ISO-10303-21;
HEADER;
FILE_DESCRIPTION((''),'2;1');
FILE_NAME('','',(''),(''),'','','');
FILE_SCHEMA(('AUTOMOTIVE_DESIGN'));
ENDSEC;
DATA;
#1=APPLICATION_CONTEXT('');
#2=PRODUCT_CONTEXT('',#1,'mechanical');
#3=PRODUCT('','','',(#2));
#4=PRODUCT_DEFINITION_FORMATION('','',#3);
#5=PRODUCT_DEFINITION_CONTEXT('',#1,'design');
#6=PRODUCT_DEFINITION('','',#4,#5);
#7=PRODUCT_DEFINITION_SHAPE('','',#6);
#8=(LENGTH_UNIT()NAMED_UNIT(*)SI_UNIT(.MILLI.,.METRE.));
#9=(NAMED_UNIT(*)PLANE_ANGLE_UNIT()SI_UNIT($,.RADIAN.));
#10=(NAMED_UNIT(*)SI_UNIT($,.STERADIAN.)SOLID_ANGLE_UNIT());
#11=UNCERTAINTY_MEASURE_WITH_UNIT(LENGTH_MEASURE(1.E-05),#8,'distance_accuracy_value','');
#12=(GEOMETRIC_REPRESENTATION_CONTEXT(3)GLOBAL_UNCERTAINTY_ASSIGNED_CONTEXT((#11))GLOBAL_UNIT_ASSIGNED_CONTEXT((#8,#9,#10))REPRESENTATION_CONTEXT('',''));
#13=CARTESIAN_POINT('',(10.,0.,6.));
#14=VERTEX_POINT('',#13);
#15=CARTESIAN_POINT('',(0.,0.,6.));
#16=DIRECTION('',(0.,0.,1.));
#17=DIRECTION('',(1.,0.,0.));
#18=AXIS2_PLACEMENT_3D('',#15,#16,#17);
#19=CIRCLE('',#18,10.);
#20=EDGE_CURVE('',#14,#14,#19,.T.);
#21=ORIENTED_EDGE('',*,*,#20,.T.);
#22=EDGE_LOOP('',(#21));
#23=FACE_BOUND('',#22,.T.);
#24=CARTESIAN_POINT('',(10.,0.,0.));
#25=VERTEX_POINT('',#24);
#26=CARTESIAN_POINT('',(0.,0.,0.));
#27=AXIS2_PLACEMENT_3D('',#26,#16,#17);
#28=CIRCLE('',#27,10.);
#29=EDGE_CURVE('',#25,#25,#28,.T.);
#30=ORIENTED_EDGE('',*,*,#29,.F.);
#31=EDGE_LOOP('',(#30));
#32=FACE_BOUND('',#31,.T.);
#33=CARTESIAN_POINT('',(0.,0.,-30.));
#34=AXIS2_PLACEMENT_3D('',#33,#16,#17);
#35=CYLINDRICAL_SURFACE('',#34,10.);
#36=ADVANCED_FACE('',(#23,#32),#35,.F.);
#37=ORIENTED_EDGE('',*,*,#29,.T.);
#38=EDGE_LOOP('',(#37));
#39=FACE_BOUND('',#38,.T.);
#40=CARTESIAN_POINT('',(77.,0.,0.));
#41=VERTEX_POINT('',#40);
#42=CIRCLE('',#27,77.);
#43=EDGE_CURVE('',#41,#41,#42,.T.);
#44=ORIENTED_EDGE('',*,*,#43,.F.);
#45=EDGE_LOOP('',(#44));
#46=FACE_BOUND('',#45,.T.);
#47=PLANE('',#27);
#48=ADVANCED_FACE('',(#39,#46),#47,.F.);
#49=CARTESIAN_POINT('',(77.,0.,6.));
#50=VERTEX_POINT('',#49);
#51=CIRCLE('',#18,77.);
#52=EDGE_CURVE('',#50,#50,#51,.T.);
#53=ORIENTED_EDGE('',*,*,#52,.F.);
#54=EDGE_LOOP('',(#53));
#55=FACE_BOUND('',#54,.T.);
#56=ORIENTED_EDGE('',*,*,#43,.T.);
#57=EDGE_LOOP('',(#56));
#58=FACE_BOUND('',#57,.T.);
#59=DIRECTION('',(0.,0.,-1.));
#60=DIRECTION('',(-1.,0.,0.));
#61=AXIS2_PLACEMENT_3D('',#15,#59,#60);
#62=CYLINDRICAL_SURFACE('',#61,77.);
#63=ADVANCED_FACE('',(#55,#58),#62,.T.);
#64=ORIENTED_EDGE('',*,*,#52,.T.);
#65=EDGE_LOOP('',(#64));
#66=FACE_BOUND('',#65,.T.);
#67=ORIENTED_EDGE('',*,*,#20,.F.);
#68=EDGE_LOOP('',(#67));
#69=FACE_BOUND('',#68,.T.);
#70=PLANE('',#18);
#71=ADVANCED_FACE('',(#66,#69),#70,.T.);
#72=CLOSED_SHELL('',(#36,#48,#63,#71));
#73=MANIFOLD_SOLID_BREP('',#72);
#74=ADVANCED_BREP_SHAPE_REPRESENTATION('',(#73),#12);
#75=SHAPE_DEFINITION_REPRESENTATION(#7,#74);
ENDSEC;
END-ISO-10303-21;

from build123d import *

# Parameters (mm, degrees)
CROQUIS1_R              = 77
SALIENTE_EXTRUIR1_DEPTH = 6
CROQUIS2_R              = 10
CORTAR_EXTRUIR1_DEPTH   = 36


with BuildPart() as part:
    # Croquis1 → Saliente-Extruir1 (new body)
    with BuildSketch(Plane.XY):
        Circle(CROQUIS1_R)
    extrude(amount=SALIENTE_EXTRUIR1_DEPTH)

    # Croquis2 → Cortar-Extruir1 (cut)
    with BuildSketch(Plane.XY.offset(6)):
        Circle(CROQUIS2_R)
    extrude(amount=-CORTAR_EXTRUIR1_DEPTH, mode=Mode.SUBTRACT)


solid = part.part
